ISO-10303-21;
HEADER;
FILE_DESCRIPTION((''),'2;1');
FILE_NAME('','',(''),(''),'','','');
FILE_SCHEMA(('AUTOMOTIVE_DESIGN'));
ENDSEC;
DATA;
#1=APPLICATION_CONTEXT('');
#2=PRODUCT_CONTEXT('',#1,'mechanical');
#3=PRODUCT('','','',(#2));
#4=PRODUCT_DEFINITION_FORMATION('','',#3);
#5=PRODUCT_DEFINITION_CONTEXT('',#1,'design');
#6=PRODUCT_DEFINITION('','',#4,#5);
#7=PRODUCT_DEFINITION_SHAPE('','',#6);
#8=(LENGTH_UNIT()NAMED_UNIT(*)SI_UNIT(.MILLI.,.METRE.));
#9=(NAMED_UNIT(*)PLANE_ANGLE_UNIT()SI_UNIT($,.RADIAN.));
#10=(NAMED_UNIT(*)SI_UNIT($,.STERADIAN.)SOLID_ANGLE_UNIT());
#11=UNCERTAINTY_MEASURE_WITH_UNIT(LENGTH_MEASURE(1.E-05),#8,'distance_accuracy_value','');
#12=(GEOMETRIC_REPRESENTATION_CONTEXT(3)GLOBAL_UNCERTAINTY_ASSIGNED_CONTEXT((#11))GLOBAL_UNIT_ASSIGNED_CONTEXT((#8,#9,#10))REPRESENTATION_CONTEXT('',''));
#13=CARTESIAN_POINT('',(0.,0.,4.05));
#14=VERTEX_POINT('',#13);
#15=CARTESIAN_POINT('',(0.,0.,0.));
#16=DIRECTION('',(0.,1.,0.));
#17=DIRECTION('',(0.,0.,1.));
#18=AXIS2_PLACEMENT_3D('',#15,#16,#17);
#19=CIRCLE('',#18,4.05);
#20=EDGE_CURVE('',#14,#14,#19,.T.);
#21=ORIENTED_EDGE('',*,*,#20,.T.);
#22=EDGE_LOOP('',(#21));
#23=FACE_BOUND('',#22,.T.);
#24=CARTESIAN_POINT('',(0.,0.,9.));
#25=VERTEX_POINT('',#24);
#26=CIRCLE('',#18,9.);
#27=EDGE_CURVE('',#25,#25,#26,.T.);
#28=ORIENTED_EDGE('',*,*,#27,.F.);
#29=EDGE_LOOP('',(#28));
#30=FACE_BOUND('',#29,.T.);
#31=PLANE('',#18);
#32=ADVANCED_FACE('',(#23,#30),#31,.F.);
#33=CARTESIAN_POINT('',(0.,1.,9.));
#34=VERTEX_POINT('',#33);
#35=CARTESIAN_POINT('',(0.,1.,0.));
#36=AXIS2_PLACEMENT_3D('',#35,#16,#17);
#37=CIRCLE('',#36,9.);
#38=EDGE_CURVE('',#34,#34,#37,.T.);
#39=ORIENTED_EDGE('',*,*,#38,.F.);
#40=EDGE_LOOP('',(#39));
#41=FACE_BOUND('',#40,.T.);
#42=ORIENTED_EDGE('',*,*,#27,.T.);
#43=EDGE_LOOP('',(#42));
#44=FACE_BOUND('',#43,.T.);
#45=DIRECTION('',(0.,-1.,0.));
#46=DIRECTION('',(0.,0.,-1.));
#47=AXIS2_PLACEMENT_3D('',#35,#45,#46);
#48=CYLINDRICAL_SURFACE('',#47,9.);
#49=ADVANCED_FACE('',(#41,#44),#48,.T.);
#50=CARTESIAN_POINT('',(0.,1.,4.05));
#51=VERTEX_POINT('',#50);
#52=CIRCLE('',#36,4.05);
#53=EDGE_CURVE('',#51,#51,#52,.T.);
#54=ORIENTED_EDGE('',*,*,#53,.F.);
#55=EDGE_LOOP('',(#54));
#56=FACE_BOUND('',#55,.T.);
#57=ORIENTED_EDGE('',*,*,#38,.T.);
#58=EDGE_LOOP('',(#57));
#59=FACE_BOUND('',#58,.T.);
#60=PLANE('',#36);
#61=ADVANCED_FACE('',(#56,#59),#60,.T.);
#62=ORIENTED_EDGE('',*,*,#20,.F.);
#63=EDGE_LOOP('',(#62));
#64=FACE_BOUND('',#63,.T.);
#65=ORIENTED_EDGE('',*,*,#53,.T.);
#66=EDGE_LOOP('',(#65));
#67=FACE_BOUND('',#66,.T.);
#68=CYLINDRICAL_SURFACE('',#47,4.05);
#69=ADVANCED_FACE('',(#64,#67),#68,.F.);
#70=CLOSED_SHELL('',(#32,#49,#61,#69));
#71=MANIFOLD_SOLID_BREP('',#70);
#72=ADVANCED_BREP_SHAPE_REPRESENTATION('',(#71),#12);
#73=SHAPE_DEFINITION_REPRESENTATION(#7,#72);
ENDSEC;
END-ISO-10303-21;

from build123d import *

# Parameters (mm, degrees)
SKETCH1_R           = 9
SKETCH1_R_2         = 4.05
BOSS_EXTRUDE1_DEPTH = 1


with BuildPart() as part:
    # Sketch1 → Boss-Extrude1 (new body)
    with BuildSketch(Plane(origin=(0, 0, 0), x_dir=(1, 0, 0), z_dir=(0, 1, 0))):
        Circle(SKETCH1_R)
        Circle(SKETCH1_R_2, mode=Mode.SUBTRACT)
    extrude(amount=BOSS_EXTRUDE1_DEPTH)


solid = part.part
